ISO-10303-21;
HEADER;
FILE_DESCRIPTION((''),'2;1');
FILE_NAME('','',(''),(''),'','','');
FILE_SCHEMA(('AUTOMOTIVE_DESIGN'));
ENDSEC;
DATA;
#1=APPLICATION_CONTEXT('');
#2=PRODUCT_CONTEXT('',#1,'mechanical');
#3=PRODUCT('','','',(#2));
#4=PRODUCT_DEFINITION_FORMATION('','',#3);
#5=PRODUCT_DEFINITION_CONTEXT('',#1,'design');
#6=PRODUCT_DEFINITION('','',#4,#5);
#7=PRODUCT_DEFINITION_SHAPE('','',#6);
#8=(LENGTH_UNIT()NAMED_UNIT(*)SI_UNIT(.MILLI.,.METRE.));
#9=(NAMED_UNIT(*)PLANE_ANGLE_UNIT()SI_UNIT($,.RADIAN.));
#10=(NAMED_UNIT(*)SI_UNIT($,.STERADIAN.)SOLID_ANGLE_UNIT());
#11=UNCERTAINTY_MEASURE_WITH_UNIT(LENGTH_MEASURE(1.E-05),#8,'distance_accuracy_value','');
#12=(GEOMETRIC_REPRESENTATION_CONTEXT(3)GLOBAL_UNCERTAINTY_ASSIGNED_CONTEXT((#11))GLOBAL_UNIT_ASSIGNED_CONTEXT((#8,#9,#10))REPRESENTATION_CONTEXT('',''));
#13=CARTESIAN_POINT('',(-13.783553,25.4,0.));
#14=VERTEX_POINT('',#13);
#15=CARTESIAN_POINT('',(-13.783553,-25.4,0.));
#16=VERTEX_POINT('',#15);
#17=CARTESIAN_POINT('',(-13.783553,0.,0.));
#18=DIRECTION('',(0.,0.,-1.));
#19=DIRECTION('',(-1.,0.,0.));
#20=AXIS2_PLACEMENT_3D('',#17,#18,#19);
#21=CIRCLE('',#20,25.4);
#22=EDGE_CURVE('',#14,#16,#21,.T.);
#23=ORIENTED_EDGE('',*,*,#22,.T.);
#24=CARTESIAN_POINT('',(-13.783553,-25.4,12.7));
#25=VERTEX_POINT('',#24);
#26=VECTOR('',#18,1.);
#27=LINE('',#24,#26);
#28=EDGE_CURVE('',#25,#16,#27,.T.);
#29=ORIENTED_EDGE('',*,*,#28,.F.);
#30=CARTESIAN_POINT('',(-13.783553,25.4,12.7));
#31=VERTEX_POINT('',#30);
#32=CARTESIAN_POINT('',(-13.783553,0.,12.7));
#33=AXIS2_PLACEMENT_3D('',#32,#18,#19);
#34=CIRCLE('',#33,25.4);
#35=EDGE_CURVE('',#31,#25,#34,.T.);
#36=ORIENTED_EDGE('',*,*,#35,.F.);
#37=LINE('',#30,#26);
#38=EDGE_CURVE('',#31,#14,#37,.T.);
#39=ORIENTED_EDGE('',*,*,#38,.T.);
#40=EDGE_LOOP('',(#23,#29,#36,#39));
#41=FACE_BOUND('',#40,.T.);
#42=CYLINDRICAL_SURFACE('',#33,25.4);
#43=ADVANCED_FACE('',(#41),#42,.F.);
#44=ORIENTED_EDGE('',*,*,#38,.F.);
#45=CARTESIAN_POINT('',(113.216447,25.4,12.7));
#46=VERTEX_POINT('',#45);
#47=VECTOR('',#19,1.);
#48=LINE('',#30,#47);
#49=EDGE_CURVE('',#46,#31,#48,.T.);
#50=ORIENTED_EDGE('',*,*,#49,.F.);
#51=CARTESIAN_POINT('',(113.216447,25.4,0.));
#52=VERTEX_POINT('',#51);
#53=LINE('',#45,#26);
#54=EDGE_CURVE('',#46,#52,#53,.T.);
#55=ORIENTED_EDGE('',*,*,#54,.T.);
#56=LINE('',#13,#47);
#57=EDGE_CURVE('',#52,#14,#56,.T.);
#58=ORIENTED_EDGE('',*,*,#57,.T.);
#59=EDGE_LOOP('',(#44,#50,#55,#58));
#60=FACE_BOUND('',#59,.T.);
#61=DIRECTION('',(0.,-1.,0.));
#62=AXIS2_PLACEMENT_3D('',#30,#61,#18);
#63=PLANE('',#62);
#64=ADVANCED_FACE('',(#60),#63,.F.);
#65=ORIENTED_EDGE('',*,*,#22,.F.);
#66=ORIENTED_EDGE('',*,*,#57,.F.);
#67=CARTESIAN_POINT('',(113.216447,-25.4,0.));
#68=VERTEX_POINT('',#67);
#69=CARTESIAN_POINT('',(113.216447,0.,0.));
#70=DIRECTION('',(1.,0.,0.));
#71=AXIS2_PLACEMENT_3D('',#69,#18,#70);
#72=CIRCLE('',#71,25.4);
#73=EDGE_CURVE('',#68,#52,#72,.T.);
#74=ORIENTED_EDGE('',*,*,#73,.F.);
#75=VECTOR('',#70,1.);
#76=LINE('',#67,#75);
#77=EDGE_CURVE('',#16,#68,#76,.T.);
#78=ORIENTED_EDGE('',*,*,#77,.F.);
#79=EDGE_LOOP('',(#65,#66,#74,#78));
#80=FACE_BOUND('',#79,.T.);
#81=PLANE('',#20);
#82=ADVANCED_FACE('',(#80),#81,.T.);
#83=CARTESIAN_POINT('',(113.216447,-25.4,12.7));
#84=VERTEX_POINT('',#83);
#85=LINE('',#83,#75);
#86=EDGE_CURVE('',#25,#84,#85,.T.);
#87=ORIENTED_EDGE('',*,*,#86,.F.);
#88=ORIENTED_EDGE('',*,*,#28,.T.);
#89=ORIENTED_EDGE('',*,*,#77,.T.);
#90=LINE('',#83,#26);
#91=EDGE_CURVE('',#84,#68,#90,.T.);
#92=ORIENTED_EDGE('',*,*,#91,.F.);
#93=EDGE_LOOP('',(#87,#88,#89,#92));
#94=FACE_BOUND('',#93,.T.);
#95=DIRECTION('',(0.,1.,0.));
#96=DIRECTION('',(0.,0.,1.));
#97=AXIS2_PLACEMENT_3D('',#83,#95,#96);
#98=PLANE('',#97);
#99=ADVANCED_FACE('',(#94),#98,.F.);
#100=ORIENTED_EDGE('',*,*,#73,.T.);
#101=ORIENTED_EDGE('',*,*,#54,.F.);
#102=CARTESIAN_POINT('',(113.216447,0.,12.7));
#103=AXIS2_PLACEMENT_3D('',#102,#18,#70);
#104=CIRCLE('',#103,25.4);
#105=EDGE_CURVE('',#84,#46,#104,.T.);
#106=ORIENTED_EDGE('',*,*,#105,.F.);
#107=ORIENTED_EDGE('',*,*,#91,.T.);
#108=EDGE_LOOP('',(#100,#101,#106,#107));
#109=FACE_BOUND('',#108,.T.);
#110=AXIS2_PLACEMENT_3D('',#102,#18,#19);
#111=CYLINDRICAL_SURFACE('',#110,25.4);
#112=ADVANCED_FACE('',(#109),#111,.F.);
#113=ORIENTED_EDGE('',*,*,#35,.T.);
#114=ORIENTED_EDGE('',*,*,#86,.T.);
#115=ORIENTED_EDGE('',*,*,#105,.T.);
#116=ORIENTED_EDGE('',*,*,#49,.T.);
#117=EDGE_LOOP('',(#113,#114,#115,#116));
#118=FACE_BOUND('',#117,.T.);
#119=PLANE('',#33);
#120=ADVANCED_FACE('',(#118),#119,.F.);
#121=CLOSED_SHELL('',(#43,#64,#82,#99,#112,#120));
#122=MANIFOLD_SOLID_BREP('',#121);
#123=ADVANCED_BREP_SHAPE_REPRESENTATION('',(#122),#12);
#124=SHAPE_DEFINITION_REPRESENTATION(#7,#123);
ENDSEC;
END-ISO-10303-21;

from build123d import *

# Parameters (mm, degrees)
BOSS_EXTRUDE2_DEPTH = 12.7


with BuildPart() as part:
    # Sketch4 → Boss-Extrude2 (new body)
    with BuildSketch(Plane.XY):
        with BuildLine():
            Line((-13.783552668, 25.4), (113.216447332, 25.4))
            ThreePointArc((113.216447332, 25.4), (87.816447332, 0), (113.216447332, -25.4))
            Line((113.216447332, -25.4), (-13.783552668, -25.4))
            ThreePointArc((-13.783552668, -25.4), (11.616447332, 0), (-13.783552668, 25.4))
        make_face()
    extrude(amount=BOSS_EXTRUDE2_DEPTH)


solid = part.part
